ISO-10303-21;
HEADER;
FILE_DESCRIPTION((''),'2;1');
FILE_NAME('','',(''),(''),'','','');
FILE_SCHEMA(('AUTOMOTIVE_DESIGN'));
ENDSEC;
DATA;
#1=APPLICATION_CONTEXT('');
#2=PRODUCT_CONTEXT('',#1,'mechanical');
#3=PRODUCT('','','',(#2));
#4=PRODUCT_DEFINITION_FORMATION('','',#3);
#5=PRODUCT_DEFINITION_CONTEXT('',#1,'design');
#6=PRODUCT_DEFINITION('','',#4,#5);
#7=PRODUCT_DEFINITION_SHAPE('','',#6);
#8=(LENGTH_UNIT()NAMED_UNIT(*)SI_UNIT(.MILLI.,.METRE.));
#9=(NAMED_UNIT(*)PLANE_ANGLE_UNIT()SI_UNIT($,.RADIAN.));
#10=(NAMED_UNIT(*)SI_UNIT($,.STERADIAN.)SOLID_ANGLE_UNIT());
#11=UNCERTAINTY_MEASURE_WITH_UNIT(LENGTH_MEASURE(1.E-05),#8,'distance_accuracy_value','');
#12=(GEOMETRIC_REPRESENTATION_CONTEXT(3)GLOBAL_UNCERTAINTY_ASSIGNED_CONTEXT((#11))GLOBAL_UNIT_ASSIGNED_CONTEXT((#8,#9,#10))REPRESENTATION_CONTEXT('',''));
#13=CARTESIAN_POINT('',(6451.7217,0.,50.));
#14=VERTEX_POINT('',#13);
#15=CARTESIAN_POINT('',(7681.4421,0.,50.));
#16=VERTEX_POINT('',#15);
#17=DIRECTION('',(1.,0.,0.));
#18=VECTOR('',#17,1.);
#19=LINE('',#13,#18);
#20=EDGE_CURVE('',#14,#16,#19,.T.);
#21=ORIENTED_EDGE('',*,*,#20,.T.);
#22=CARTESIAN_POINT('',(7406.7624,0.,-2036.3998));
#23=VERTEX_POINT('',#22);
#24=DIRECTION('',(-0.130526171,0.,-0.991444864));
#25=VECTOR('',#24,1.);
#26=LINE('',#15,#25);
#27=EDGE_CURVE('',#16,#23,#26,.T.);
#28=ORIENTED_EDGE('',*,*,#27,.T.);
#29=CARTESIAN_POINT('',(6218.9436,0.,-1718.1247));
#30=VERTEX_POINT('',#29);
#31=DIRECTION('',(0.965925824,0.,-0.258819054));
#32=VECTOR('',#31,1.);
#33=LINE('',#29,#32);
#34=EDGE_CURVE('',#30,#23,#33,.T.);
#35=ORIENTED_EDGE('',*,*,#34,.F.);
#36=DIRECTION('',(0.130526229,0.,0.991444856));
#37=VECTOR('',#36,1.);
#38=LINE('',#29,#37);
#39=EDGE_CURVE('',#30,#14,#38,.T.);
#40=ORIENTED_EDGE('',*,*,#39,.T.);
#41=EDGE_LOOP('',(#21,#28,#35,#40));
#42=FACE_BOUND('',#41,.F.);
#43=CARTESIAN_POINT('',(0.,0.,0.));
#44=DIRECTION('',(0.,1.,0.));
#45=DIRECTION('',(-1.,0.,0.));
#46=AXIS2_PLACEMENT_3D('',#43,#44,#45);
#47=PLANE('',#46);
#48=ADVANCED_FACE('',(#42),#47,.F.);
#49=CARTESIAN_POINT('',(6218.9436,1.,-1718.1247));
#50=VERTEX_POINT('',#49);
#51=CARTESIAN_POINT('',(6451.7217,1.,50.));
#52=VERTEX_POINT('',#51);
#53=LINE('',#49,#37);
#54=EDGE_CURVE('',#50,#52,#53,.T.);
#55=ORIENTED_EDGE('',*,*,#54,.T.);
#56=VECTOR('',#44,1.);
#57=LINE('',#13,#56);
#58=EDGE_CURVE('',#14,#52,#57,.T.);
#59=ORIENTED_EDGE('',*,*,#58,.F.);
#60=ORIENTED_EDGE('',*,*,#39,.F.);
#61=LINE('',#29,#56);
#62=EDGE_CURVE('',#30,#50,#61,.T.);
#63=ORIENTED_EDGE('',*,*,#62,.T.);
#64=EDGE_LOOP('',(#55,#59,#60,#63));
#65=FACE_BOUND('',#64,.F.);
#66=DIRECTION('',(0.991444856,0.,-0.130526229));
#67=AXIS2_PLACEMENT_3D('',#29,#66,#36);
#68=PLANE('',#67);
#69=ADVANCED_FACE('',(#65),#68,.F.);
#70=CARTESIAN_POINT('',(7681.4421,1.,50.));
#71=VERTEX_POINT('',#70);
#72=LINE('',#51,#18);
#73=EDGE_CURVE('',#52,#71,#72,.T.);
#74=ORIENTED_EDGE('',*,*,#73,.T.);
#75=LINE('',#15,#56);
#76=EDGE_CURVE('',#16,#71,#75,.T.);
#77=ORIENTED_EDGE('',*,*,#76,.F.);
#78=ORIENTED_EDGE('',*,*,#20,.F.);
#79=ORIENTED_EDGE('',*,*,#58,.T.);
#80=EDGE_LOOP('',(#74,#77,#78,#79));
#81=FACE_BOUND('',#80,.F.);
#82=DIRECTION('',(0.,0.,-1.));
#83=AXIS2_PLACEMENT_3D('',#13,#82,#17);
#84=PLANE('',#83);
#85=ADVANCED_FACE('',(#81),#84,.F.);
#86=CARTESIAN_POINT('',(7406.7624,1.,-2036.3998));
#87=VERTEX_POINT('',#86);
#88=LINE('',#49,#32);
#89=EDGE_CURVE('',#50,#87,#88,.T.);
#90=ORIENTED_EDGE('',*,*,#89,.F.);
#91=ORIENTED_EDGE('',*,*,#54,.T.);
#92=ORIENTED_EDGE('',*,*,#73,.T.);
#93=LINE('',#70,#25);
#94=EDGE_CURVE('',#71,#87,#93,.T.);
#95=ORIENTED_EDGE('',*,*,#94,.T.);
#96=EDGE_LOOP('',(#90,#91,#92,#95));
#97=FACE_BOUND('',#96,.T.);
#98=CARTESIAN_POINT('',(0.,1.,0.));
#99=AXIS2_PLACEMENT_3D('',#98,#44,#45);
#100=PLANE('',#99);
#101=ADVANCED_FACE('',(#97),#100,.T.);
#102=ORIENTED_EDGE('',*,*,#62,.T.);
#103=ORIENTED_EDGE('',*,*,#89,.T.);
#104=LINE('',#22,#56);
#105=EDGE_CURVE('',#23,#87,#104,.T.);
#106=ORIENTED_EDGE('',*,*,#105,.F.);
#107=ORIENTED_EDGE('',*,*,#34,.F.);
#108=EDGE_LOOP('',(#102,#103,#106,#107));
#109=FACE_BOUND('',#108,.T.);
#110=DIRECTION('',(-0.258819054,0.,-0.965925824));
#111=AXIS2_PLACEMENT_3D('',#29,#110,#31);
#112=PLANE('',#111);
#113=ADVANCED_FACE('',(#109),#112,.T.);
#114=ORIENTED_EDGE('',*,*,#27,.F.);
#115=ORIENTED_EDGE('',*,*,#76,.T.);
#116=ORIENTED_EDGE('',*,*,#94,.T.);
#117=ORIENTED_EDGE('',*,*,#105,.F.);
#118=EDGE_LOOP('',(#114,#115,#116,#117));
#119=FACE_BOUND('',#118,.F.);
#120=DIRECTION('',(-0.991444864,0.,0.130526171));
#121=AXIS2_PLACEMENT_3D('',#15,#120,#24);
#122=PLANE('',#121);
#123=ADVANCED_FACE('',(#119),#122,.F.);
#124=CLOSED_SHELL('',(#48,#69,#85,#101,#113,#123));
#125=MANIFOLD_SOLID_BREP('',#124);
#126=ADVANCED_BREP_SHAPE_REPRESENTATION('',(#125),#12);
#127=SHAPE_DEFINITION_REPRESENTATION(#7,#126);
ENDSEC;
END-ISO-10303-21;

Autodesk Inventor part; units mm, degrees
ref_plane "YZ Plane" through (0, 0, 0) normal (1, 0, 0) x (0, 1, 0)
ref_plane "XZ Plane" through (0, 0, 0) normal (0, 1, 0) x (-1, 0, 0)
ref_plane "XY Plane" through (0, 0, 0) normal (0, 0, 1) x (1, 0, 0)
sketch "Sketch1" plane through (0, 0, 0) normal (0, 1, 0) x (-1, 0, 0)
  line L0 (0, 0) -> (-8000, 0) construction
  line L1 (0, 0) -> (-7727.4066, -2070.5524) construction
  line L2 (0, 0) -> (8000, 0) construction
  line L3 (0, 0) -> (-6335.3327, -834.0624) construction
  line L4 (0, 0) -> (6390, 0) construction
  line L5 (-7681.4421, 50) -> (-7406.7624, -2036.3998)
  line L6 (-6218.9436, -1718.1247) -> (-6451.7217, 50)
  line L7 (-6218.9436, -1718.1247) -> (-7406.7624, -2036.3998)
  line L8 (-6451.7217, 50) -> (-7681.4421, 50)
  dimension "d0" = 8000
  dimension "d1" = 8000
  dimension "d2" = 165
  dimension "d3" = 6390
  dimension "d4" = 172.5
  dimension "d7" = 50
  dimension "d8" = 50
extrude "Extrusion1" add sketch "Sketch1" along normal blind 1
properties part number "panelEflat.KR"
